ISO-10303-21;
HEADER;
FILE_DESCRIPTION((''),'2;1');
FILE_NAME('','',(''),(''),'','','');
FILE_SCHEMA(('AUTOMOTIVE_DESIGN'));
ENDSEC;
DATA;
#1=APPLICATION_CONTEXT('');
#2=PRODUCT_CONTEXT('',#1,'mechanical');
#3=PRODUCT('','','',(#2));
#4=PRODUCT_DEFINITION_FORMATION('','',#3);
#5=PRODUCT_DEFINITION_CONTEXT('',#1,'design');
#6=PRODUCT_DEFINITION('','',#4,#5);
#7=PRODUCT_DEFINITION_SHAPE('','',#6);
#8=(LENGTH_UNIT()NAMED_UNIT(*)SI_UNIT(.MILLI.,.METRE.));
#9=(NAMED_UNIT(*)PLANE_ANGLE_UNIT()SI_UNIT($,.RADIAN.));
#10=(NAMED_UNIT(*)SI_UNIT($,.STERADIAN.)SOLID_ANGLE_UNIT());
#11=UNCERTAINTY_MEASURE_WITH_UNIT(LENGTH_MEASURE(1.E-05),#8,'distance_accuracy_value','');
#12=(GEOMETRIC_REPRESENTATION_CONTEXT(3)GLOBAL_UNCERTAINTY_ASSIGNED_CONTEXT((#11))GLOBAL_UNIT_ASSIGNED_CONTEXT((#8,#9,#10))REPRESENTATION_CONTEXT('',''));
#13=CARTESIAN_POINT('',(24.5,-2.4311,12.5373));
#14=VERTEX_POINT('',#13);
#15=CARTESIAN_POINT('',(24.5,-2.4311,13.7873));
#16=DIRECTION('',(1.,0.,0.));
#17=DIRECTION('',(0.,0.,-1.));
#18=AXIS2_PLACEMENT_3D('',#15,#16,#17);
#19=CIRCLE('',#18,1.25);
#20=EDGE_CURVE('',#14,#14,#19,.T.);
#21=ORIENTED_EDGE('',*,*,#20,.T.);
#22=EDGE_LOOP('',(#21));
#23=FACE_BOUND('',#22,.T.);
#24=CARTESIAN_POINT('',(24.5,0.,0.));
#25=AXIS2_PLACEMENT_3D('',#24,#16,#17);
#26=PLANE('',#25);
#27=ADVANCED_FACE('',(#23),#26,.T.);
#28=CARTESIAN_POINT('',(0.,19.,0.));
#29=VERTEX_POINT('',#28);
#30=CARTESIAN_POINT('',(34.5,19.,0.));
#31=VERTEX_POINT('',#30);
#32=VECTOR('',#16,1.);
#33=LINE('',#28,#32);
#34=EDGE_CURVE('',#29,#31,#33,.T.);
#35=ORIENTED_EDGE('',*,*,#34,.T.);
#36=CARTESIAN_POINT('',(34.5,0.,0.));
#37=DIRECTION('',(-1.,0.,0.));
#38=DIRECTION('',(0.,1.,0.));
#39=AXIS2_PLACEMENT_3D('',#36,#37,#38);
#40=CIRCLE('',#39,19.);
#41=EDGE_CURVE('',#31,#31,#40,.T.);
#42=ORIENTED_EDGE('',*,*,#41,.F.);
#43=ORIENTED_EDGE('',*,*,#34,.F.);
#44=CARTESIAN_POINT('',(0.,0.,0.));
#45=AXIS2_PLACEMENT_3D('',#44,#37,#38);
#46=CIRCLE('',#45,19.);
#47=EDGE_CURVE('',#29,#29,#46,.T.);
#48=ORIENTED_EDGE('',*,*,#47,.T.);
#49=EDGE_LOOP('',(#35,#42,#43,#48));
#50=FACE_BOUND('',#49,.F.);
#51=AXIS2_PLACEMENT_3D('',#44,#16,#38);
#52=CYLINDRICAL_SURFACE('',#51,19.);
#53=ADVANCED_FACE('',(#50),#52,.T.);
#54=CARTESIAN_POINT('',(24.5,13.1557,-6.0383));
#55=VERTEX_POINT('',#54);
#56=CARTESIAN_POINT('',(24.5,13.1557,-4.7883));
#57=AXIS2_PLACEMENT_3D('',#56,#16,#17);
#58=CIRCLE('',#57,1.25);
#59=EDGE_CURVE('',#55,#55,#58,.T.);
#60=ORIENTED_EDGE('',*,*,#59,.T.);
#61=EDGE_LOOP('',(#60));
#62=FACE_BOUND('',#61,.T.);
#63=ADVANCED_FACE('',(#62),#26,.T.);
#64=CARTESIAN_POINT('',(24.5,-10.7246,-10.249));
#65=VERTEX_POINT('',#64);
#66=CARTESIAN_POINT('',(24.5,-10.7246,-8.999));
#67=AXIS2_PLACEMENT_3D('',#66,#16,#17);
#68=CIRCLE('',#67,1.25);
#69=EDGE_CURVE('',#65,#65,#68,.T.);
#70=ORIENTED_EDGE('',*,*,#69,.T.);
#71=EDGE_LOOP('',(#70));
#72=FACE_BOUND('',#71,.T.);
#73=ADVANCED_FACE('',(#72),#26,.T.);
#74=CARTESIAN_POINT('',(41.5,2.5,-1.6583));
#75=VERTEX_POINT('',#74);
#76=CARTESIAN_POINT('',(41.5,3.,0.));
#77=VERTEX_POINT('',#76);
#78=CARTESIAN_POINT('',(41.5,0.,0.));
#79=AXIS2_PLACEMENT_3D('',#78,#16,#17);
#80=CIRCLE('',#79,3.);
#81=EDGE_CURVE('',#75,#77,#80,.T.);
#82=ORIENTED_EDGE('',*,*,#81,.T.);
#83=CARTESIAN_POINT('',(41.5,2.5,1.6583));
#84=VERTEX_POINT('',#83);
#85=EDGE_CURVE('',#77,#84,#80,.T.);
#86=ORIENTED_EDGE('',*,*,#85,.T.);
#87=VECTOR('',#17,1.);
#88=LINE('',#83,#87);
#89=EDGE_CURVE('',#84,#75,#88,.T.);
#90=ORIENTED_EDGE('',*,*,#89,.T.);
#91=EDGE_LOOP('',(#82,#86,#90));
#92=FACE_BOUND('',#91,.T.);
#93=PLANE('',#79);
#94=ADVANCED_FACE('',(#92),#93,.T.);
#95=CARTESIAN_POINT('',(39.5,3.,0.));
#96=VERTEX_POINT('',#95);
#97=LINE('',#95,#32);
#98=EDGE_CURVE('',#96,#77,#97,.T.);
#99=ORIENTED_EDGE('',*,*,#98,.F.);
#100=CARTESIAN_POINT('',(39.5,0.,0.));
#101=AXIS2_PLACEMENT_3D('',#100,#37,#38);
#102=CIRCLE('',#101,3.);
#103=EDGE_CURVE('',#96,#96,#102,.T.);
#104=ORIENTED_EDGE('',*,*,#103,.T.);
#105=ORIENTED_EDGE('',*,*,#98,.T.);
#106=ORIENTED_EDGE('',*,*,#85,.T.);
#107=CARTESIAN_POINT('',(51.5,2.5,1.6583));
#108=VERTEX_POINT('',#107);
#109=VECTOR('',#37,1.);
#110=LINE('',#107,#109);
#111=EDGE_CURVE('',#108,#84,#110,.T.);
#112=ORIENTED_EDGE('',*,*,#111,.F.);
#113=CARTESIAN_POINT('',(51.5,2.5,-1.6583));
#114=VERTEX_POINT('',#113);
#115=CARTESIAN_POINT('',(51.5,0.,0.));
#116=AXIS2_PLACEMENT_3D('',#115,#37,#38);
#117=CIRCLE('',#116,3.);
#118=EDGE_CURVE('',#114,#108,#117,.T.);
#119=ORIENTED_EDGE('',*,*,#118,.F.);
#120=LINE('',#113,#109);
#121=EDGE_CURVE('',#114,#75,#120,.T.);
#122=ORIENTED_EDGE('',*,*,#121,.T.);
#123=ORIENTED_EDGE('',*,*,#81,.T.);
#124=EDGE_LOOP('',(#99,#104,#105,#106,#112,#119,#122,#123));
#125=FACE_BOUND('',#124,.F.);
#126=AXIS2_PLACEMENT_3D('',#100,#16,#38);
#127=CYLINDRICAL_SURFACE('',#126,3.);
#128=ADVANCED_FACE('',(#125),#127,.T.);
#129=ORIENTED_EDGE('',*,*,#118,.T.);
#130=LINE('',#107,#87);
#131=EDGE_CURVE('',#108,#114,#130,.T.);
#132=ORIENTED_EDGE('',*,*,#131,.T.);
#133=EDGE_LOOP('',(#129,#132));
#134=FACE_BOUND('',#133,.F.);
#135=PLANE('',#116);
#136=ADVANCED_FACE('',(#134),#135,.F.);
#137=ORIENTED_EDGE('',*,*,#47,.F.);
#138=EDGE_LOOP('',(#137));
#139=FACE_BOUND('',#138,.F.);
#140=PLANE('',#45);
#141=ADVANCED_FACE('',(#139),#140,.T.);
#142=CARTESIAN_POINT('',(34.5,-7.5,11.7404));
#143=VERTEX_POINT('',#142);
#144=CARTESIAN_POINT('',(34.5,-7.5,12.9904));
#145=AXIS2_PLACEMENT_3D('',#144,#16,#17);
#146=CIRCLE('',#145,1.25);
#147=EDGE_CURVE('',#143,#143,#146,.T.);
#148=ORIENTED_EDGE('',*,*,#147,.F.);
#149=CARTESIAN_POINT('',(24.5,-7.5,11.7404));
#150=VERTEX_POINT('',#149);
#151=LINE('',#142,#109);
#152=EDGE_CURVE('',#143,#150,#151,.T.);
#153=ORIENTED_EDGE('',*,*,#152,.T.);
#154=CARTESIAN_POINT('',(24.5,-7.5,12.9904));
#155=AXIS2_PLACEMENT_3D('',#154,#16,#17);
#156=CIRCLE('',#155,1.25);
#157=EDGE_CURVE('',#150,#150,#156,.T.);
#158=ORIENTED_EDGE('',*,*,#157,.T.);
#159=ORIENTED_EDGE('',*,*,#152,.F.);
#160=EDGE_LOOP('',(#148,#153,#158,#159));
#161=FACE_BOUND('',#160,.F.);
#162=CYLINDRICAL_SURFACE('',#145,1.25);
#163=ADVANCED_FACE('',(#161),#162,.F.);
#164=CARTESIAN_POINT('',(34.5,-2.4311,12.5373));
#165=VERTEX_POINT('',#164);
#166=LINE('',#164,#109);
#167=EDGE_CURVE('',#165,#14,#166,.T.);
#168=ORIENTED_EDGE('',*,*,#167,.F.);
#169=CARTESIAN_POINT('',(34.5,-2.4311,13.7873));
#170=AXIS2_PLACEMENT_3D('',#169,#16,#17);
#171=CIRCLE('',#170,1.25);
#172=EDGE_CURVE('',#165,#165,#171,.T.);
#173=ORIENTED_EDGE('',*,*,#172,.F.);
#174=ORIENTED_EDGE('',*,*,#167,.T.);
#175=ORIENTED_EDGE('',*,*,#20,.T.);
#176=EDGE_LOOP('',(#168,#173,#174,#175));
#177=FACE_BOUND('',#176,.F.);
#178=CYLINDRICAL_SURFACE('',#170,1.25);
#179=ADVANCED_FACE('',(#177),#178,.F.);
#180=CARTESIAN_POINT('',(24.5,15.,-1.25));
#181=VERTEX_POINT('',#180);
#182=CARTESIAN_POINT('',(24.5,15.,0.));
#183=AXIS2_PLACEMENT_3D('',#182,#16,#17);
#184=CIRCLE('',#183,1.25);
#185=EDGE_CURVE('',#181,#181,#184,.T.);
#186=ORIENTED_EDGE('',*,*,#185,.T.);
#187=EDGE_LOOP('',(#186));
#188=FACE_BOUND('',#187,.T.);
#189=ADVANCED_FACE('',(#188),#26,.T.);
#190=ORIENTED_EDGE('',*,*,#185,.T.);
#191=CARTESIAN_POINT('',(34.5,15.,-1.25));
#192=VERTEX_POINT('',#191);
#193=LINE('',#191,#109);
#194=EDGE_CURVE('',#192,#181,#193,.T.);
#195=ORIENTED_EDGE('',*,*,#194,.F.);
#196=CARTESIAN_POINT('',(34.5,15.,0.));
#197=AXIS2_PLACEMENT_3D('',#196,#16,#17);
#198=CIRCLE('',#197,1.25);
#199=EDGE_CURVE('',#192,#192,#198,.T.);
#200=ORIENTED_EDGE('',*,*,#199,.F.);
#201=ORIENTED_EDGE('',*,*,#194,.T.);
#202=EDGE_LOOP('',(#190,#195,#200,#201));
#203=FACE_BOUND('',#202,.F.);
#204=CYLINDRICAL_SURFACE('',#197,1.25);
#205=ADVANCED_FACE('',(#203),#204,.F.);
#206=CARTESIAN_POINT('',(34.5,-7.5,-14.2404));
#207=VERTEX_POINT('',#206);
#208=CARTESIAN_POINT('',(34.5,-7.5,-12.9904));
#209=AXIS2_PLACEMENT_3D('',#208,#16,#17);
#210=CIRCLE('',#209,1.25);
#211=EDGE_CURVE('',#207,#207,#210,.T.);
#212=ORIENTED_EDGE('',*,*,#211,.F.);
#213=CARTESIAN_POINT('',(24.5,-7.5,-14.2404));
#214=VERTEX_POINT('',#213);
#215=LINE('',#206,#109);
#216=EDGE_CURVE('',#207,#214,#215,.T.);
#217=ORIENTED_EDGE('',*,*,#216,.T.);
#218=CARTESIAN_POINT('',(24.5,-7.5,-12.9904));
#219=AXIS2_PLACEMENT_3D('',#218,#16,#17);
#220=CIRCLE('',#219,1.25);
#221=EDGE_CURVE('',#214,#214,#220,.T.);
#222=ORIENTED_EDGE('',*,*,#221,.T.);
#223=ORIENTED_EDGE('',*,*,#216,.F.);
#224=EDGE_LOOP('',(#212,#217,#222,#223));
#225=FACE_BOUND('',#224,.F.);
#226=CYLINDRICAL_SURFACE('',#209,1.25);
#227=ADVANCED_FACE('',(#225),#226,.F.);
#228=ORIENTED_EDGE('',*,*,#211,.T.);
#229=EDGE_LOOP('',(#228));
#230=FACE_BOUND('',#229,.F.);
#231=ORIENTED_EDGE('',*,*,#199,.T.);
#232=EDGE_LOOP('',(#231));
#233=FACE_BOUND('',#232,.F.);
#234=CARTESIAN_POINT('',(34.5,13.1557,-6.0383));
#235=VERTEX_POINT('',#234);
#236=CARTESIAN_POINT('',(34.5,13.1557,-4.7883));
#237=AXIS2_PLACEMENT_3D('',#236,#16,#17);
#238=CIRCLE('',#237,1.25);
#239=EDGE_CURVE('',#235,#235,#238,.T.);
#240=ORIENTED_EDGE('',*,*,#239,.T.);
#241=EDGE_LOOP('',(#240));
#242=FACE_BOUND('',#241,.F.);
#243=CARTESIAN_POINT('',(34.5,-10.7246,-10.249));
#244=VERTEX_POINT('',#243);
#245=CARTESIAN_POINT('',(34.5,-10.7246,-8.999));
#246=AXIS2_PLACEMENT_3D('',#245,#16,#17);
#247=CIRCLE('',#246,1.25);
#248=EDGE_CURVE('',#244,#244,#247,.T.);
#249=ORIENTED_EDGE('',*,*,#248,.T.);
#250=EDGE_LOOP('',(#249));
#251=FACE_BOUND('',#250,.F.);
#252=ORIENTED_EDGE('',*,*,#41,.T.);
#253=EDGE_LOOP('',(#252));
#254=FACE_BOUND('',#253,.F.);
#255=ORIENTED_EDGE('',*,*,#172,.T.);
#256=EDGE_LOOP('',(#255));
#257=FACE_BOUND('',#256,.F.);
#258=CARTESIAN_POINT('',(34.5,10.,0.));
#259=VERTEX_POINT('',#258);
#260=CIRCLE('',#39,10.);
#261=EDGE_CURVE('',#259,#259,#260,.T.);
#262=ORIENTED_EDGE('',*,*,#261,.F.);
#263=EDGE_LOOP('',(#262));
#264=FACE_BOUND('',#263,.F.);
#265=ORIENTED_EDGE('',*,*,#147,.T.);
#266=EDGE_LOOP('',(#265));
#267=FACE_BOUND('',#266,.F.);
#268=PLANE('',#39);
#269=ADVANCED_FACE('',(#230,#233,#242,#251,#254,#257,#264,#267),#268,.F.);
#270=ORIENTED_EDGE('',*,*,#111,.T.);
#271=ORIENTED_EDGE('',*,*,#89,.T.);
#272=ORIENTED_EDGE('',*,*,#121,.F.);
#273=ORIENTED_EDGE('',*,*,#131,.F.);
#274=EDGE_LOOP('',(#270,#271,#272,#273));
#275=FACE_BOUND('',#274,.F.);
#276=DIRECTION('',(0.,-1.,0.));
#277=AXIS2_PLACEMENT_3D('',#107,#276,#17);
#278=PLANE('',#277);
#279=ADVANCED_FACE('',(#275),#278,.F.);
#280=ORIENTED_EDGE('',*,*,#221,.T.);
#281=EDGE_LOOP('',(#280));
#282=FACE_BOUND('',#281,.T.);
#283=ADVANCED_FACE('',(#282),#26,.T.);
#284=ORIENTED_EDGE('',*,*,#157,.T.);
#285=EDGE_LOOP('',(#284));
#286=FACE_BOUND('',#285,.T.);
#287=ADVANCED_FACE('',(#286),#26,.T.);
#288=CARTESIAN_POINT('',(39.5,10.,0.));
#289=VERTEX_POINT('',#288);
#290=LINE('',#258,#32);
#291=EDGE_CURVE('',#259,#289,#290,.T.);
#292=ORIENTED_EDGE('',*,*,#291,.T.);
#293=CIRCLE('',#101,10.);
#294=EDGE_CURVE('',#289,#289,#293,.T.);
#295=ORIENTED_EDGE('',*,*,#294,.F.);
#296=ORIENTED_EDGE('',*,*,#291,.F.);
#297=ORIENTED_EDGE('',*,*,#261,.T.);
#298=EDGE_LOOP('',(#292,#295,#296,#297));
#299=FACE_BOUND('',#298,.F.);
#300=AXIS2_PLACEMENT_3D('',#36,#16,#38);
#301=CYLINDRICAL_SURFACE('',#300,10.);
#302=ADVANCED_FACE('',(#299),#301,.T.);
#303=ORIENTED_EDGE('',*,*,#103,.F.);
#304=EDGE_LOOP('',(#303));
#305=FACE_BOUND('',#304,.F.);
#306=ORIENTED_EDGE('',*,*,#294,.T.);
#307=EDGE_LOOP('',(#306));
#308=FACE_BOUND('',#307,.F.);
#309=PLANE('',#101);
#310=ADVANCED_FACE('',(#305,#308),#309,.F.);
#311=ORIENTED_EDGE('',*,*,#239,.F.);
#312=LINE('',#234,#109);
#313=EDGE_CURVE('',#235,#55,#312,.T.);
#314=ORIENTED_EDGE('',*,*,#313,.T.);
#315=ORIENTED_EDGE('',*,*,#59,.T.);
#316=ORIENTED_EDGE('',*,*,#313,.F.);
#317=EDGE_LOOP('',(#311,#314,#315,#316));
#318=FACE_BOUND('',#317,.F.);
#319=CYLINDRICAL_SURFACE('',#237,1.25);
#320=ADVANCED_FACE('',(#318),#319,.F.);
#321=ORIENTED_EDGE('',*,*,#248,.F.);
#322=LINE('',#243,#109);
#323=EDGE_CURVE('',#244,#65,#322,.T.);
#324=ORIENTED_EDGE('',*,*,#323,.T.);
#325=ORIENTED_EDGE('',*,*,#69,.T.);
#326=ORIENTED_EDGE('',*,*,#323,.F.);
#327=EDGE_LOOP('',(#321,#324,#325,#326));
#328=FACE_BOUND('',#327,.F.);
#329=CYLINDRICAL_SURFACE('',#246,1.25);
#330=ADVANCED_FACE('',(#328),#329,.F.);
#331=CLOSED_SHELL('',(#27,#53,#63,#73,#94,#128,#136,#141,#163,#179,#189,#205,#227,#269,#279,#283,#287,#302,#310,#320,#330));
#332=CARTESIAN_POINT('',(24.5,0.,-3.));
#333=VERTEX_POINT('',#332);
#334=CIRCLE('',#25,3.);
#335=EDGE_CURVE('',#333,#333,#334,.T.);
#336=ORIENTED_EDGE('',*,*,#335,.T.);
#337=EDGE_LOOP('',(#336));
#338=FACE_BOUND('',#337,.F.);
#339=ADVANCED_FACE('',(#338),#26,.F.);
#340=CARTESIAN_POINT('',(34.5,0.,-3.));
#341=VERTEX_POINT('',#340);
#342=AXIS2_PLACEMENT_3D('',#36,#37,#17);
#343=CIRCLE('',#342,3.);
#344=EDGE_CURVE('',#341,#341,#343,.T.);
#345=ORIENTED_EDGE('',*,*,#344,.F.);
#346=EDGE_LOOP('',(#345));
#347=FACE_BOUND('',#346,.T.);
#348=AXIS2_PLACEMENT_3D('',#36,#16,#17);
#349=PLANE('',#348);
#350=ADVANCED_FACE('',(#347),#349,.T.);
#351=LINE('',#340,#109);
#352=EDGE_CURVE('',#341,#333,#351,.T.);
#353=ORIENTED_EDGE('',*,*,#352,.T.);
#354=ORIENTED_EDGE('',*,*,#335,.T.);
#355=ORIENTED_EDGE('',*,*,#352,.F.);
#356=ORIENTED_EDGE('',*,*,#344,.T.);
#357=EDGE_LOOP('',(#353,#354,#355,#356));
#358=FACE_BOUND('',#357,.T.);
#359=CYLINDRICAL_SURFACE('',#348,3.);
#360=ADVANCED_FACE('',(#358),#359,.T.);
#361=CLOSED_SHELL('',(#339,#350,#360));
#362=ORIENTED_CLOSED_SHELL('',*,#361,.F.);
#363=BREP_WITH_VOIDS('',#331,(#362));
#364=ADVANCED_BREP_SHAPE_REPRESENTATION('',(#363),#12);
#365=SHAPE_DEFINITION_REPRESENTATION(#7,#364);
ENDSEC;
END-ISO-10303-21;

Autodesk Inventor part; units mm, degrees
ref_plane "YZ Plane" through (0, 0, 0) normal (1, 0, 0) x (0, 1, 0)
ref_plane "XZ Plane" through (0, 0, 0) normal (0, 1, 0) x (-1, 0, 0)
ref_plane "XY Plane" through (0, 0, 0) normal (0, 0, 1) x (1, 0, 0)
sketch "Sketch1" plane through (0, 0, 0) normal (0, 0, 1) x (1, 0, 0)
  line L0 (0, 0) -> (0, 19)
  line L1 (0, 19) -> (34.5, 19)
  line L2 (34.5, 19) -> (34.5, 10)
  line L3 (34.5, 10) -> (39.5, 10)
  line L4 (39.5, 10) -> (39.5, 3)
  line L5 (39.5, 3) -> (51.5, 3)
  line L6 (51.5, 3) -> (51.5, 0)
  line L7 (51.5, 0) -> (0, 0)
  dimension "d0" = 19
  dimension "d1" = 34.5
  dimension "d2" = 5
  dimension "d3" = 10
  dimension "d4" = 12
  dimension "d5" = 3
revolve "Revolution1" add sketch "Sketch1" angle 360 about axis through (51.5, 0, 0) along (-1, 0, 0)
sketch "Sketch2" plane through (51.5, 0, 0) normal (1, 0, 0) x (0, 0, -1)
  circle A0 centre (0, 0) radius 3 projected
  circle A1 centre (0, 0) radius 3 projected
  line L0 (-1.6583, 2.5) -> (1.6583, 2.5)
  point P0 (0, 0)
  point P1 (-1.6583, 2.5)
  point P2 (1.6583, 2.5)
  dimension "d7" = 2.5
extrude "Extrusion1" cut sketch "Sketch2" against normal blind 10 contours L0 A0 picked at (-0.1169, 2.6598)
sketch "Sketch3" plane through (34.5, 0, 0) normal (1, 0, 0) x (0, 0, -1)
  circle A0 centre (0, 15) radius 1.25
  circle A1 centre (4.7883, 13.1557) radius 1.25
  circle A2 centre (0, 0) radius 3 projected
  circle A3 centre (0, 0) radius 14 construction
  circle A4 centre (0, 0) radius 15 construction
  circle A5 centre (0, 0) radius 19 projected
  line L0 (0, 0) -> (0, 15) construction
  line L1 (1.6583, 2.5) -> (-1.6583, 2.5) projected
  line L2 (0, 0) -> (4.7883, 13.1557) construction
  circle A6 centre (-13.7873, -2.4311) radius 1.25
  circle A7 centre (-12.9904, -7.5) radius 1.25
  circle A8 centre (8.999, -10.7246) radius 1.25
  circle A9 centre (12.9904, -7.5) radius 1.25
  dimension "d21" = 28
  dimension "d22" = 30
  dimension "d10" = 4
  dimension "d11" = 5
  dimension "d12" = 2.5
  dimension "d13" = 2.5
  dimension "d14" = 20
  dimension "d17" = 360
extrude "Extrusion2" cut sketch "Sketch3" against normal blind 10 contours A0 | A1 | A2 L1 | L1 A2 | A6 | A7 | A8 | A9
properties part number "TestEncoder"
